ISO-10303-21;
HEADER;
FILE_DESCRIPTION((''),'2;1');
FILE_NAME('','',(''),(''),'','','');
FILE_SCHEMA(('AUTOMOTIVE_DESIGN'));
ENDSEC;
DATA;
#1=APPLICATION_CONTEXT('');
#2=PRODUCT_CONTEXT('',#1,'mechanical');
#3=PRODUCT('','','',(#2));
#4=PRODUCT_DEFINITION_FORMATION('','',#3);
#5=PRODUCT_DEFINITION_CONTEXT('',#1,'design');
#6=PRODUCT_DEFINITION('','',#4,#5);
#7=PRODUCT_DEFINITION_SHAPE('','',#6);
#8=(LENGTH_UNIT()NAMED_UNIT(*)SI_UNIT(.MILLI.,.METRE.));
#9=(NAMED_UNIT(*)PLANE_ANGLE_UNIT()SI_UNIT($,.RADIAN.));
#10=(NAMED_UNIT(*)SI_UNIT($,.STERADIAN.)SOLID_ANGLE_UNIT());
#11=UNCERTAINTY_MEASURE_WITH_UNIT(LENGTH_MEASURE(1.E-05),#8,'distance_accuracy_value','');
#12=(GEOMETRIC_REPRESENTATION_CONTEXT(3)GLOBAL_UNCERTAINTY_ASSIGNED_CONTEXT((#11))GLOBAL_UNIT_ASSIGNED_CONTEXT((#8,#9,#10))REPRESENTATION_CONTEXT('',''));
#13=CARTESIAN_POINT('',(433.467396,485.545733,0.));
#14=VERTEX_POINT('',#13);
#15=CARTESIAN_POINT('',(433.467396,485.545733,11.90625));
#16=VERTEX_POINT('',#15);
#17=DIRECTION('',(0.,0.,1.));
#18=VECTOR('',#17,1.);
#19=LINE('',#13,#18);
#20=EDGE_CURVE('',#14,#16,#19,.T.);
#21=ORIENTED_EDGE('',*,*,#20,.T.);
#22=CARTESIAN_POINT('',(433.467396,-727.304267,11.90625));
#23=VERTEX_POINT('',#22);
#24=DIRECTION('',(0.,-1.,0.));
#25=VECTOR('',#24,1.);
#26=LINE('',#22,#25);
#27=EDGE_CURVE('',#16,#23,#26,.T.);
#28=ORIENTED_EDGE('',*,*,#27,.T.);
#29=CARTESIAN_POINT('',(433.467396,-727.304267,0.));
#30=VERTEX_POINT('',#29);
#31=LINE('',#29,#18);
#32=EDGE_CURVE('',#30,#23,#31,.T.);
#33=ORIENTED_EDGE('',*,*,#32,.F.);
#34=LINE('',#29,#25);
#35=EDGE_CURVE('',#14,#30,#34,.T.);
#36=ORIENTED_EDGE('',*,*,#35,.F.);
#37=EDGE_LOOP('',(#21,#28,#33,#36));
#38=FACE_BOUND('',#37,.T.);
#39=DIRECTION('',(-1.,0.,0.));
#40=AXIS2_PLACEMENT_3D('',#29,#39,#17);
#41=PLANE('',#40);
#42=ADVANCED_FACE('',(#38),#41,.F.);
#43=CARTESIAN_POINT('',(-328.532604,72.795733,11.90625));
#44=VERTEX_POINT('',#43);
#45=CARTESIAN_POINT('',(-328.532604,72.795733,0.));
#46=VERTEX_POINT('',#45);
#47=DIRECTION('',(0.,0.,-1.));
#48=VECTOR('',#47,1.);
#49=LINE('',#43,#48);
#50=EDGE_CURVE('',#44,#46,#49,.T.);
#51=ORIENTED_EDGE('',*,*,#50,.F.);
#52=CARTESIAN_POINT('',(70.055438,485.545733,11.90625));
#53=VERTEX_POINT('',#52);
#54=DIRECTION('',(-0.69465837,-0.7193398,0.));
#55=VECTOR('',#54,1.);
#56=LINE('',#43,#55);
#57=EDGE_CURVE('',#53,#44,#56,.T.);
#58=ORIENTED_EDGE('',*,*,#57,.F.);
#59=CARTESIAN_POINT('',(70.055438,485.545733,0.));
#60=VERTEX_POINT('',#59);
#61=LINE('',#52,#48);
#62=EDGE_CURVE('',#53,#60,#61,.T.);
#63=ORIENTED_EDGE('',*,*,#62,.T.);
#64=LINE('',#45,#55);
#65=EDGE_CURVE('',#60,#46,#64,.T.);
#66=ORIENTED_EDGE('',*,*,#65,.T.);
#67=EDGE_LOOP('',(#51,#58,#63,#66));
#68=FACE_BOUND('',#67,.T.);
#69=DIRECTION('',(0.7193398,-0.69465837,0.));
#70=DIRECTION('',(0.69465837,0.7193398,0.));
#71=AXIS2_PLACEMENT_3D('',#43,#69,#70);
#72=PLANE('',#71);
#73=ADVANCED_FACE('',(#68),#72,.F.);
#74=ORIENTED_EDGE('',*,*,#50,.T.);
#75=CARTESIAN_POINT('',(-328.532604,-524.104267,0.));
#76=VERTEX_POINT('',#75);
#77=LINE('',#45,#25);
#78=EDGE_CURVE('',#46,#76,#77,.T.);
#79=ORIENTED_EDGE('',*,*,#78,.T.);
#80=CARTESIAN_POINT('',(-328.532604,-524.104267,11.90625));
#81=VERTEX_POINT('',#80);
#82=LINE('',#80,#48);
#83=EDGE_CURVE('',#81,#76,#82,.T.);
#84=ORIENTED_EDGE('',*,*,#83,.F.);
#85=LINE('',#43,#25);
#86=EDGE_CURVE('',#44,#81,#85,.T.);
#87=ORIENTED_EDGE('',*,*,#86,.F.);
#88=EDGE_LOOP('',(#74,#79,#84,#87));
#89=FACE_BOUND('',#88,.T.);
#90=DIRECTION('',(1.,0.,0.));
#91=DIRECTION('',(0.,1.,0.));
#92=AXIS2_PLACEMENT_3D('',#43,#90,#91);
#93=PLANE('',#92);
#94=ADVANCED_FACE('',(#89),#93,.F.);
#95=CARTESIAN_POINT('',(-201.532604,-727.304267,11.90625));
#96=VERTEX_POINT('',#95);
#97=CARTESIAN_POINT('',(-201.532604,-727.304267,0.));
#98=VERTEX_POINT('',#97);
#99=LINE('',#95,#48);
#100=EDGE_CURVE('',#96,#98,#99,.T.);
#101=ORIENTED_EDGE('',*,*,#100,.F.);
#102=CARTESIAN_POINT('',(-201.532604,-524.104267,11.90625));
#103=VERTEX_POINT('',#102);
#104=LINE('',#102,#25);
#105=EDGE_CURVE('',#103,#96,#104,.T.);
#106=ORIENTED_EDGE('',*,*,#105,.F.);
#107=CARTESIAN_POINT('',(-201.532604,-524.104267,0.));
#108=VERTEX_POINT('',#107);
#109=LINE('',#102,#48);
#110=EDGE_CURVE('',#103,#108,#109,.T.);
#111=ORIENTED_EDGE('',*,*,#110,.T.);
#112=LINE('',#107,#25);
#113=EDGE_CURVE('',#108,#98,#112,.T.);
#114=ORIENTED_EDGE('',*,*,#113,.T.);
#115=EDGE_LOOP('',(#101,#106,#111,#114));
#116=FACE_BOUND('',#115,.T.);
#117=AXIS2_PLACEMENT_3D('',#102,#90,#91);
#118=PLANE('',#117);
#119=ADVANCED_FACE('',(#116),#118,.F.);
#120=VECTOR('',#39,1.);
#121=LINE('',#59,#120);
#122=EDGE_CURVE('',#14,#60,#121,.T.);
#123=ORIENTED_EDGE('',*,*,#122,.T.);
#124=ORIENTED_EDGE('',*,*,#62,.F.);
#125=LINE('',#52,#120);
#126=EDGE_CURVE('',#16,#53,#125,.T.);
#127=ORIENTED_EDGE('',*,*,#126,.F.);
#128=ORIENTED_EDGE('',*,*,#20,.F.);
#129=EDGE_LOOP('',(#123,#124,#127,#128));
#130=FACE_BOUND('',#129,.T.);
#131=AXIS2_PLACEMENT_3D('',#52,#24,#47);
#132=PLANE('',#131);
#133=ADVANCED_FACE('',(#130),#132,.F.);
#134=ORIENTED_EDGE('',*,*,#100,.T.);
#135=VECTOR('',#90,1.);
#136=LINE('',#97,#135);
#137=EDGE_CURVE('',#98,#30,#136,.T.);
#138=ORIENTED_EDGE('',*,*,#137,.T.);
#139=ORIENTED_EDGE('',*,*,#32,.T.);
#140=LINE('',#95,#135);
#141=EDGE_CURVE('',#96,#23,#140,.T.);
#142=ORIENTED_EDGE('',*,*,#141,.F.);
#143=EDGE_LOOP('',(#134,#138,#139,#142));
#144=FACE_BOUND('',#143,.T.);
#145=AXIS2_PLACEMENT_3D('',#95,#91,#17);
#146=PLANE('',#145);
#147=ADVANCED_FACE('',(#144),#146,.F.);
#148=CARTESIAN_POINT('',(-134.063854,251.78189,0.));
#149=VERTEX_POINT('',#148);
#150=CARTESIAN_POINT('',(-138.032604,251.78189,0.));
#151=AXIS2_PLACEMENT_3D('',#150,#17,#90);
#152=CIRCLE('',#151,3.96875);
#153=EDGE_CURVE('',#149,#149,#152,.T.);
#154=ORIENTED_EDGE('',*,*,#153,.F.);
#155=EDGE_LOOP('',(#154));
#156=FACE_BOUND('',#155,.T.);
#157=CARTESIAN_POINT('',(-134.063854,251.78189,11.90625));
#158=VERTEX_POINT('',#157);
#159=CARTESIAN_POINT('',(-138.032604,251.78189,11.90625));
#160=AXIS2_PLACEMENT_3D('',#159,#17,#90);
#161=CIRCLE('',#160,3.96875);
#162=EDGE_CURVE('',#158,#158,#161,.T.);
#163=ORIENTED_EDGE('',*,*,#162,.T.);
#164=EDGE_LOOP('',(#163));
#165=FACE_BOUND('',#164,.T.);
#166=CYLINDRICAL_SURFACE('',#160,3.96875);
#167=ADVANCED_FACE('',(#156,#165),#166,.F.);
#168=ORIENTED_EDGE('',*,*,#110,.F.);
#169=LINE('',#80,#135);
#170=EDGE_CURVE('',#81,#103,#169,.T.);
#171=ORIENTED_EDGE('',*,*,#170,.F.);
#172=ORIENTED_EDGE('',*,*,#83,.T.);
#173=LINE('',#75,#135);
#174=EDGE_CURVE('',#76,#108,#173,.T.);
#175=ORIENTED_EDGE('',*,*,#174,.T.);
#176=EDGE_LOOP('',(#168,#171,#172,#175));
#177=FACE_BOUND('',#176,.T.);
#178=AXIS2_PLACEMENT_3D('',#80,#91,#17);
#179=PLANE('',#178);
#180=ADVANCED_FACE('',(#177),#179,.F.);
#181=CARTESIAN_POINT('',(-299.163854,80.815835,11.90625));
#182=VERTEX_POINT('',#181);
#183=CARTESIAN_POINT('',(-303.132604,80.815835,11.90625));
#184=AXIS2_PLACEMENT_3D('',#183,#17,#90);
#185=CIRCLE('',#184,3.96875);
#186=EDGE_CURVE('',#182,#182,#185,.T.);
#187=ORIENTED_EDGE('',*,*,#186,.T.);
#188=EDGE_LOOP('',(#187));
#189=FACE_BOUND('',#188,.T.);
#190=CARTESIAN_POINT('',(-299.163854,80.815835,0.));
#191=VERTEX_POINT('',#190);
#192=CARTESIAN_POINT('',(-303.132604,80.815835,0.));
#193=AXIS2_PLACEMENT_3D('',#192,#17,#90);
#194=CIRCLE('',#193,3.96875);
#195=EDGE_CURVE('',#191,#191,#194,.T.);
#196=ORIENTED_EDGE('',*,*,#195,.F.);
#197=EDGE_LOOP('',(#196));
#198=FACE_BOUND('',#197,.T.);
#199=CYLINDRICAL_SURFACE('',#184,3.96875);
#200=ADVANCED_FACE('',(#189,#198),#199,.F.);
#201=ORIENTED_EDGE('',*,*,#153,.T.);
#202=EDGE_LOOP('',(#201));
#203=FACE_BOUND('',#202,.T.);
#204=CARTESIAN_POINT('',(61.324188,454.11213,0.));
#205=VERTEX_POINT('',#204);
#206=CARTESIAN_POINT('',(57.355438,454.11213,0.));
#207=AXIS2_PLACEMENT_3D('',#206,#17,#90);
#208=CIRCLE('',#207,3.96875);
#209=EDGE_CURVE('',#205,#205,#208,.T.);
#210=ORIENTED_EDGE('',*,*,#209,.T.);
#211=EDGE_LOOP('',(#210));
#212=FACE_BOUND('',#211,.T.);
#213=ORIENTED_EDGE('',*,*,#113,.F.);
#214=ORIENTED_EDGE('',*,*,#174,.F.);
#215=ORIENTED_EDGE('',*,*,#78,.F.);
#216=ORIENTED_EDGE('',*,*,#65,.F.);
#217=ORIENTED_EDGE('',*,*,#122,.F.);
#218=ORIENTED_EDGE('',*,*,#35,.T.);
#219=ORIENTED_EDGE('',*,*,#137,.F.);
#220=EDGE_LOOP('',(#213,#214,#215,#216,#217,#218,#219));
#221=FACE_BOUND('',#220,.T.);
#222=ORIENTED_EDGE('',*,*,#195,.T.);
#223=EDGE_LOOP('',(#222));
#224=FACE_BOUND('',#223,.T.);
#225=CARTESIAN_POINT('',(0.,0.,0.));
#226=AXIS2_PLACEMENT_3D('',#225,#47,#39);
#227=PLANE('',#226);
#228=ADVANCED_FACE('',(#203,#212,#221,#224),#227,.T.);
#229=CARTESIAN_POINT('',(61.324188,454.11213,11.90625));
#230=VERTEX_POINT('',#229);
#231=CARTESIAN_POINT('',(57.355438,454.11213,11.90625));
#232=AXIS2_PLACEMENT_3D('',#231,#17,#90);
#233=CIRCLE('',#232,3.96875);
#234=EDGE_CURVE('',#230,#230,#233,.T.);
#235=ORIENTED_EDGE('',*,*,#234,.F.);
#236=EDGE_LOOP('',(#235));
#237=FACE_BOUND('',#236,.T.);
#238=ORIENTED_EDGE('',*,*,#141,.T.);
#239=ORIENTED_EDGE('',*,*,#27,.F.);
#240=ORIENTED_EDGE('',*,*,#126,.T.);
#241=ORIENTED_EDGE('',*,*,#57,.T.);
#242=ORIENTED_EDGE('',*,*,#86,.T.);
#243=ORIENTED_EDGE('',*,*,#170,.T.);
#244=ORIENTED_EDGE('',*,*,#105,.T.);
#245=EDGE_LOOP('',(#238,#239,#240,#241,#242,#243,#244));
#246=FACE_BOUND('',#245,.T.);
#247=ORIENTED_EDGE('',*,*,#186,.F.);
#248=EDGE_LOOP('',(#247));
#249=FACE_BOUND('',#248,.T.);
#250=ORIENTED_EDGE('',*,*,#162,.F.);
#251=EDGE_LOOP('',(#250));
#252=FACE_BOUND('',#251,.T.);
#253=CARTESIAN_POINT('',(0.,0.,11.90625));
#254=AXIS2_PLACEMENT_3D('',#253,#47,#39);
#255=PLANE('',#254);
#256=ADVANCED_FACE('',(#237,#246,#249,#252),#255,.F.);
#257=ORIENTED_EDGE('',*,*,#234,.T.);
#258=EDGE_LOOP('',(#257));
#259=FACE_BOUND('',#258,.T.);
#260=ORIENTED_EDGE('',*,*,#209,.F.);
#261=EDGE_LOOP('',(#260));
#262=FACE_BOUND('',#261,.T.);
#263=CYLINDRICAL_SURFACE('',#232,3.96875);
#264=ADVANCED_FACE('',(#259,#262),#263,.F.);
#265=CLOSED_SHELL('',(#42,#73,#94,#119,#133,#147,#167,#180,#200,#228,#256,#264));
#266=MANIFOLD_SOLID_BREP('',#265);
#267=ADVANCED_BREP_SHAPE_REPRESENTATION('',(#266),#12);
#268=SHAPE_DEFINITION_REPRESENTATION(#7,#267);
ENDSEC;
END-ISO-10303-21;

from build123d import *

# Parameters (mm, degrees)
BOSS_EXTRUDE1_DEPTH            = 11.90625
F_5_16_0_3125_DIAMETER_HOLE1_D = 7.9375
SKETCH4_W                      = 635
SKETCH4_H                      = 1212.85
CUT_EXTRUDE1_DEPTH             = 12.90625


with BuildPart() as part:
    # Sketch1 → Boss-Extrude1 (new body)
    with BuildSketch(Plane.XY):
        Polygon((1068.467396061, -524.104266958), (941.467396061, -524.104266958), (941.467396061, -727.304266958), (-201.532603939, -727.304266958), (-201.532603939, -524.104266958), (-328.532603939, -524.104266958), (-328.532603939, 72.795733042), (70.055437863, 485.545733042), (669.87935426, 485.545733042), (1068.467396061, 72.795733042), align=None)
    extrude(amount=BOSS_EXTRUDE1_DEPTH)

    # 5/16 (0.3125) Diameter Hole1 (through all)
    with Locations(Plane.XY.offset(11.90625)):
        with Locations((-303.132603939, 80.815834959), (-138.032603939, 251.781889765), (57.355437863, 454.112130003), (682.57935426, 454.112130003), (877.967396061, 251.781889765), (1043.067396061, 80.815834959)):
            Hole(F_5_16_0_3125_DIAMETER_HOLE1_D / 2)

    # Sketch4 → Cut-Extrude1 (cut, through all)
    with BuildSketch(Plane.XY.offset(11.90625)):
        with Locations((750.967396061, -120.879266958)):
            Rectangle(SKETCH4_W, SKETCH4_H)
    extrude(amount=-CUT_EXTRUDE1_DEPTH, mode=Mode.SUBTRACT)


solid = part.part
